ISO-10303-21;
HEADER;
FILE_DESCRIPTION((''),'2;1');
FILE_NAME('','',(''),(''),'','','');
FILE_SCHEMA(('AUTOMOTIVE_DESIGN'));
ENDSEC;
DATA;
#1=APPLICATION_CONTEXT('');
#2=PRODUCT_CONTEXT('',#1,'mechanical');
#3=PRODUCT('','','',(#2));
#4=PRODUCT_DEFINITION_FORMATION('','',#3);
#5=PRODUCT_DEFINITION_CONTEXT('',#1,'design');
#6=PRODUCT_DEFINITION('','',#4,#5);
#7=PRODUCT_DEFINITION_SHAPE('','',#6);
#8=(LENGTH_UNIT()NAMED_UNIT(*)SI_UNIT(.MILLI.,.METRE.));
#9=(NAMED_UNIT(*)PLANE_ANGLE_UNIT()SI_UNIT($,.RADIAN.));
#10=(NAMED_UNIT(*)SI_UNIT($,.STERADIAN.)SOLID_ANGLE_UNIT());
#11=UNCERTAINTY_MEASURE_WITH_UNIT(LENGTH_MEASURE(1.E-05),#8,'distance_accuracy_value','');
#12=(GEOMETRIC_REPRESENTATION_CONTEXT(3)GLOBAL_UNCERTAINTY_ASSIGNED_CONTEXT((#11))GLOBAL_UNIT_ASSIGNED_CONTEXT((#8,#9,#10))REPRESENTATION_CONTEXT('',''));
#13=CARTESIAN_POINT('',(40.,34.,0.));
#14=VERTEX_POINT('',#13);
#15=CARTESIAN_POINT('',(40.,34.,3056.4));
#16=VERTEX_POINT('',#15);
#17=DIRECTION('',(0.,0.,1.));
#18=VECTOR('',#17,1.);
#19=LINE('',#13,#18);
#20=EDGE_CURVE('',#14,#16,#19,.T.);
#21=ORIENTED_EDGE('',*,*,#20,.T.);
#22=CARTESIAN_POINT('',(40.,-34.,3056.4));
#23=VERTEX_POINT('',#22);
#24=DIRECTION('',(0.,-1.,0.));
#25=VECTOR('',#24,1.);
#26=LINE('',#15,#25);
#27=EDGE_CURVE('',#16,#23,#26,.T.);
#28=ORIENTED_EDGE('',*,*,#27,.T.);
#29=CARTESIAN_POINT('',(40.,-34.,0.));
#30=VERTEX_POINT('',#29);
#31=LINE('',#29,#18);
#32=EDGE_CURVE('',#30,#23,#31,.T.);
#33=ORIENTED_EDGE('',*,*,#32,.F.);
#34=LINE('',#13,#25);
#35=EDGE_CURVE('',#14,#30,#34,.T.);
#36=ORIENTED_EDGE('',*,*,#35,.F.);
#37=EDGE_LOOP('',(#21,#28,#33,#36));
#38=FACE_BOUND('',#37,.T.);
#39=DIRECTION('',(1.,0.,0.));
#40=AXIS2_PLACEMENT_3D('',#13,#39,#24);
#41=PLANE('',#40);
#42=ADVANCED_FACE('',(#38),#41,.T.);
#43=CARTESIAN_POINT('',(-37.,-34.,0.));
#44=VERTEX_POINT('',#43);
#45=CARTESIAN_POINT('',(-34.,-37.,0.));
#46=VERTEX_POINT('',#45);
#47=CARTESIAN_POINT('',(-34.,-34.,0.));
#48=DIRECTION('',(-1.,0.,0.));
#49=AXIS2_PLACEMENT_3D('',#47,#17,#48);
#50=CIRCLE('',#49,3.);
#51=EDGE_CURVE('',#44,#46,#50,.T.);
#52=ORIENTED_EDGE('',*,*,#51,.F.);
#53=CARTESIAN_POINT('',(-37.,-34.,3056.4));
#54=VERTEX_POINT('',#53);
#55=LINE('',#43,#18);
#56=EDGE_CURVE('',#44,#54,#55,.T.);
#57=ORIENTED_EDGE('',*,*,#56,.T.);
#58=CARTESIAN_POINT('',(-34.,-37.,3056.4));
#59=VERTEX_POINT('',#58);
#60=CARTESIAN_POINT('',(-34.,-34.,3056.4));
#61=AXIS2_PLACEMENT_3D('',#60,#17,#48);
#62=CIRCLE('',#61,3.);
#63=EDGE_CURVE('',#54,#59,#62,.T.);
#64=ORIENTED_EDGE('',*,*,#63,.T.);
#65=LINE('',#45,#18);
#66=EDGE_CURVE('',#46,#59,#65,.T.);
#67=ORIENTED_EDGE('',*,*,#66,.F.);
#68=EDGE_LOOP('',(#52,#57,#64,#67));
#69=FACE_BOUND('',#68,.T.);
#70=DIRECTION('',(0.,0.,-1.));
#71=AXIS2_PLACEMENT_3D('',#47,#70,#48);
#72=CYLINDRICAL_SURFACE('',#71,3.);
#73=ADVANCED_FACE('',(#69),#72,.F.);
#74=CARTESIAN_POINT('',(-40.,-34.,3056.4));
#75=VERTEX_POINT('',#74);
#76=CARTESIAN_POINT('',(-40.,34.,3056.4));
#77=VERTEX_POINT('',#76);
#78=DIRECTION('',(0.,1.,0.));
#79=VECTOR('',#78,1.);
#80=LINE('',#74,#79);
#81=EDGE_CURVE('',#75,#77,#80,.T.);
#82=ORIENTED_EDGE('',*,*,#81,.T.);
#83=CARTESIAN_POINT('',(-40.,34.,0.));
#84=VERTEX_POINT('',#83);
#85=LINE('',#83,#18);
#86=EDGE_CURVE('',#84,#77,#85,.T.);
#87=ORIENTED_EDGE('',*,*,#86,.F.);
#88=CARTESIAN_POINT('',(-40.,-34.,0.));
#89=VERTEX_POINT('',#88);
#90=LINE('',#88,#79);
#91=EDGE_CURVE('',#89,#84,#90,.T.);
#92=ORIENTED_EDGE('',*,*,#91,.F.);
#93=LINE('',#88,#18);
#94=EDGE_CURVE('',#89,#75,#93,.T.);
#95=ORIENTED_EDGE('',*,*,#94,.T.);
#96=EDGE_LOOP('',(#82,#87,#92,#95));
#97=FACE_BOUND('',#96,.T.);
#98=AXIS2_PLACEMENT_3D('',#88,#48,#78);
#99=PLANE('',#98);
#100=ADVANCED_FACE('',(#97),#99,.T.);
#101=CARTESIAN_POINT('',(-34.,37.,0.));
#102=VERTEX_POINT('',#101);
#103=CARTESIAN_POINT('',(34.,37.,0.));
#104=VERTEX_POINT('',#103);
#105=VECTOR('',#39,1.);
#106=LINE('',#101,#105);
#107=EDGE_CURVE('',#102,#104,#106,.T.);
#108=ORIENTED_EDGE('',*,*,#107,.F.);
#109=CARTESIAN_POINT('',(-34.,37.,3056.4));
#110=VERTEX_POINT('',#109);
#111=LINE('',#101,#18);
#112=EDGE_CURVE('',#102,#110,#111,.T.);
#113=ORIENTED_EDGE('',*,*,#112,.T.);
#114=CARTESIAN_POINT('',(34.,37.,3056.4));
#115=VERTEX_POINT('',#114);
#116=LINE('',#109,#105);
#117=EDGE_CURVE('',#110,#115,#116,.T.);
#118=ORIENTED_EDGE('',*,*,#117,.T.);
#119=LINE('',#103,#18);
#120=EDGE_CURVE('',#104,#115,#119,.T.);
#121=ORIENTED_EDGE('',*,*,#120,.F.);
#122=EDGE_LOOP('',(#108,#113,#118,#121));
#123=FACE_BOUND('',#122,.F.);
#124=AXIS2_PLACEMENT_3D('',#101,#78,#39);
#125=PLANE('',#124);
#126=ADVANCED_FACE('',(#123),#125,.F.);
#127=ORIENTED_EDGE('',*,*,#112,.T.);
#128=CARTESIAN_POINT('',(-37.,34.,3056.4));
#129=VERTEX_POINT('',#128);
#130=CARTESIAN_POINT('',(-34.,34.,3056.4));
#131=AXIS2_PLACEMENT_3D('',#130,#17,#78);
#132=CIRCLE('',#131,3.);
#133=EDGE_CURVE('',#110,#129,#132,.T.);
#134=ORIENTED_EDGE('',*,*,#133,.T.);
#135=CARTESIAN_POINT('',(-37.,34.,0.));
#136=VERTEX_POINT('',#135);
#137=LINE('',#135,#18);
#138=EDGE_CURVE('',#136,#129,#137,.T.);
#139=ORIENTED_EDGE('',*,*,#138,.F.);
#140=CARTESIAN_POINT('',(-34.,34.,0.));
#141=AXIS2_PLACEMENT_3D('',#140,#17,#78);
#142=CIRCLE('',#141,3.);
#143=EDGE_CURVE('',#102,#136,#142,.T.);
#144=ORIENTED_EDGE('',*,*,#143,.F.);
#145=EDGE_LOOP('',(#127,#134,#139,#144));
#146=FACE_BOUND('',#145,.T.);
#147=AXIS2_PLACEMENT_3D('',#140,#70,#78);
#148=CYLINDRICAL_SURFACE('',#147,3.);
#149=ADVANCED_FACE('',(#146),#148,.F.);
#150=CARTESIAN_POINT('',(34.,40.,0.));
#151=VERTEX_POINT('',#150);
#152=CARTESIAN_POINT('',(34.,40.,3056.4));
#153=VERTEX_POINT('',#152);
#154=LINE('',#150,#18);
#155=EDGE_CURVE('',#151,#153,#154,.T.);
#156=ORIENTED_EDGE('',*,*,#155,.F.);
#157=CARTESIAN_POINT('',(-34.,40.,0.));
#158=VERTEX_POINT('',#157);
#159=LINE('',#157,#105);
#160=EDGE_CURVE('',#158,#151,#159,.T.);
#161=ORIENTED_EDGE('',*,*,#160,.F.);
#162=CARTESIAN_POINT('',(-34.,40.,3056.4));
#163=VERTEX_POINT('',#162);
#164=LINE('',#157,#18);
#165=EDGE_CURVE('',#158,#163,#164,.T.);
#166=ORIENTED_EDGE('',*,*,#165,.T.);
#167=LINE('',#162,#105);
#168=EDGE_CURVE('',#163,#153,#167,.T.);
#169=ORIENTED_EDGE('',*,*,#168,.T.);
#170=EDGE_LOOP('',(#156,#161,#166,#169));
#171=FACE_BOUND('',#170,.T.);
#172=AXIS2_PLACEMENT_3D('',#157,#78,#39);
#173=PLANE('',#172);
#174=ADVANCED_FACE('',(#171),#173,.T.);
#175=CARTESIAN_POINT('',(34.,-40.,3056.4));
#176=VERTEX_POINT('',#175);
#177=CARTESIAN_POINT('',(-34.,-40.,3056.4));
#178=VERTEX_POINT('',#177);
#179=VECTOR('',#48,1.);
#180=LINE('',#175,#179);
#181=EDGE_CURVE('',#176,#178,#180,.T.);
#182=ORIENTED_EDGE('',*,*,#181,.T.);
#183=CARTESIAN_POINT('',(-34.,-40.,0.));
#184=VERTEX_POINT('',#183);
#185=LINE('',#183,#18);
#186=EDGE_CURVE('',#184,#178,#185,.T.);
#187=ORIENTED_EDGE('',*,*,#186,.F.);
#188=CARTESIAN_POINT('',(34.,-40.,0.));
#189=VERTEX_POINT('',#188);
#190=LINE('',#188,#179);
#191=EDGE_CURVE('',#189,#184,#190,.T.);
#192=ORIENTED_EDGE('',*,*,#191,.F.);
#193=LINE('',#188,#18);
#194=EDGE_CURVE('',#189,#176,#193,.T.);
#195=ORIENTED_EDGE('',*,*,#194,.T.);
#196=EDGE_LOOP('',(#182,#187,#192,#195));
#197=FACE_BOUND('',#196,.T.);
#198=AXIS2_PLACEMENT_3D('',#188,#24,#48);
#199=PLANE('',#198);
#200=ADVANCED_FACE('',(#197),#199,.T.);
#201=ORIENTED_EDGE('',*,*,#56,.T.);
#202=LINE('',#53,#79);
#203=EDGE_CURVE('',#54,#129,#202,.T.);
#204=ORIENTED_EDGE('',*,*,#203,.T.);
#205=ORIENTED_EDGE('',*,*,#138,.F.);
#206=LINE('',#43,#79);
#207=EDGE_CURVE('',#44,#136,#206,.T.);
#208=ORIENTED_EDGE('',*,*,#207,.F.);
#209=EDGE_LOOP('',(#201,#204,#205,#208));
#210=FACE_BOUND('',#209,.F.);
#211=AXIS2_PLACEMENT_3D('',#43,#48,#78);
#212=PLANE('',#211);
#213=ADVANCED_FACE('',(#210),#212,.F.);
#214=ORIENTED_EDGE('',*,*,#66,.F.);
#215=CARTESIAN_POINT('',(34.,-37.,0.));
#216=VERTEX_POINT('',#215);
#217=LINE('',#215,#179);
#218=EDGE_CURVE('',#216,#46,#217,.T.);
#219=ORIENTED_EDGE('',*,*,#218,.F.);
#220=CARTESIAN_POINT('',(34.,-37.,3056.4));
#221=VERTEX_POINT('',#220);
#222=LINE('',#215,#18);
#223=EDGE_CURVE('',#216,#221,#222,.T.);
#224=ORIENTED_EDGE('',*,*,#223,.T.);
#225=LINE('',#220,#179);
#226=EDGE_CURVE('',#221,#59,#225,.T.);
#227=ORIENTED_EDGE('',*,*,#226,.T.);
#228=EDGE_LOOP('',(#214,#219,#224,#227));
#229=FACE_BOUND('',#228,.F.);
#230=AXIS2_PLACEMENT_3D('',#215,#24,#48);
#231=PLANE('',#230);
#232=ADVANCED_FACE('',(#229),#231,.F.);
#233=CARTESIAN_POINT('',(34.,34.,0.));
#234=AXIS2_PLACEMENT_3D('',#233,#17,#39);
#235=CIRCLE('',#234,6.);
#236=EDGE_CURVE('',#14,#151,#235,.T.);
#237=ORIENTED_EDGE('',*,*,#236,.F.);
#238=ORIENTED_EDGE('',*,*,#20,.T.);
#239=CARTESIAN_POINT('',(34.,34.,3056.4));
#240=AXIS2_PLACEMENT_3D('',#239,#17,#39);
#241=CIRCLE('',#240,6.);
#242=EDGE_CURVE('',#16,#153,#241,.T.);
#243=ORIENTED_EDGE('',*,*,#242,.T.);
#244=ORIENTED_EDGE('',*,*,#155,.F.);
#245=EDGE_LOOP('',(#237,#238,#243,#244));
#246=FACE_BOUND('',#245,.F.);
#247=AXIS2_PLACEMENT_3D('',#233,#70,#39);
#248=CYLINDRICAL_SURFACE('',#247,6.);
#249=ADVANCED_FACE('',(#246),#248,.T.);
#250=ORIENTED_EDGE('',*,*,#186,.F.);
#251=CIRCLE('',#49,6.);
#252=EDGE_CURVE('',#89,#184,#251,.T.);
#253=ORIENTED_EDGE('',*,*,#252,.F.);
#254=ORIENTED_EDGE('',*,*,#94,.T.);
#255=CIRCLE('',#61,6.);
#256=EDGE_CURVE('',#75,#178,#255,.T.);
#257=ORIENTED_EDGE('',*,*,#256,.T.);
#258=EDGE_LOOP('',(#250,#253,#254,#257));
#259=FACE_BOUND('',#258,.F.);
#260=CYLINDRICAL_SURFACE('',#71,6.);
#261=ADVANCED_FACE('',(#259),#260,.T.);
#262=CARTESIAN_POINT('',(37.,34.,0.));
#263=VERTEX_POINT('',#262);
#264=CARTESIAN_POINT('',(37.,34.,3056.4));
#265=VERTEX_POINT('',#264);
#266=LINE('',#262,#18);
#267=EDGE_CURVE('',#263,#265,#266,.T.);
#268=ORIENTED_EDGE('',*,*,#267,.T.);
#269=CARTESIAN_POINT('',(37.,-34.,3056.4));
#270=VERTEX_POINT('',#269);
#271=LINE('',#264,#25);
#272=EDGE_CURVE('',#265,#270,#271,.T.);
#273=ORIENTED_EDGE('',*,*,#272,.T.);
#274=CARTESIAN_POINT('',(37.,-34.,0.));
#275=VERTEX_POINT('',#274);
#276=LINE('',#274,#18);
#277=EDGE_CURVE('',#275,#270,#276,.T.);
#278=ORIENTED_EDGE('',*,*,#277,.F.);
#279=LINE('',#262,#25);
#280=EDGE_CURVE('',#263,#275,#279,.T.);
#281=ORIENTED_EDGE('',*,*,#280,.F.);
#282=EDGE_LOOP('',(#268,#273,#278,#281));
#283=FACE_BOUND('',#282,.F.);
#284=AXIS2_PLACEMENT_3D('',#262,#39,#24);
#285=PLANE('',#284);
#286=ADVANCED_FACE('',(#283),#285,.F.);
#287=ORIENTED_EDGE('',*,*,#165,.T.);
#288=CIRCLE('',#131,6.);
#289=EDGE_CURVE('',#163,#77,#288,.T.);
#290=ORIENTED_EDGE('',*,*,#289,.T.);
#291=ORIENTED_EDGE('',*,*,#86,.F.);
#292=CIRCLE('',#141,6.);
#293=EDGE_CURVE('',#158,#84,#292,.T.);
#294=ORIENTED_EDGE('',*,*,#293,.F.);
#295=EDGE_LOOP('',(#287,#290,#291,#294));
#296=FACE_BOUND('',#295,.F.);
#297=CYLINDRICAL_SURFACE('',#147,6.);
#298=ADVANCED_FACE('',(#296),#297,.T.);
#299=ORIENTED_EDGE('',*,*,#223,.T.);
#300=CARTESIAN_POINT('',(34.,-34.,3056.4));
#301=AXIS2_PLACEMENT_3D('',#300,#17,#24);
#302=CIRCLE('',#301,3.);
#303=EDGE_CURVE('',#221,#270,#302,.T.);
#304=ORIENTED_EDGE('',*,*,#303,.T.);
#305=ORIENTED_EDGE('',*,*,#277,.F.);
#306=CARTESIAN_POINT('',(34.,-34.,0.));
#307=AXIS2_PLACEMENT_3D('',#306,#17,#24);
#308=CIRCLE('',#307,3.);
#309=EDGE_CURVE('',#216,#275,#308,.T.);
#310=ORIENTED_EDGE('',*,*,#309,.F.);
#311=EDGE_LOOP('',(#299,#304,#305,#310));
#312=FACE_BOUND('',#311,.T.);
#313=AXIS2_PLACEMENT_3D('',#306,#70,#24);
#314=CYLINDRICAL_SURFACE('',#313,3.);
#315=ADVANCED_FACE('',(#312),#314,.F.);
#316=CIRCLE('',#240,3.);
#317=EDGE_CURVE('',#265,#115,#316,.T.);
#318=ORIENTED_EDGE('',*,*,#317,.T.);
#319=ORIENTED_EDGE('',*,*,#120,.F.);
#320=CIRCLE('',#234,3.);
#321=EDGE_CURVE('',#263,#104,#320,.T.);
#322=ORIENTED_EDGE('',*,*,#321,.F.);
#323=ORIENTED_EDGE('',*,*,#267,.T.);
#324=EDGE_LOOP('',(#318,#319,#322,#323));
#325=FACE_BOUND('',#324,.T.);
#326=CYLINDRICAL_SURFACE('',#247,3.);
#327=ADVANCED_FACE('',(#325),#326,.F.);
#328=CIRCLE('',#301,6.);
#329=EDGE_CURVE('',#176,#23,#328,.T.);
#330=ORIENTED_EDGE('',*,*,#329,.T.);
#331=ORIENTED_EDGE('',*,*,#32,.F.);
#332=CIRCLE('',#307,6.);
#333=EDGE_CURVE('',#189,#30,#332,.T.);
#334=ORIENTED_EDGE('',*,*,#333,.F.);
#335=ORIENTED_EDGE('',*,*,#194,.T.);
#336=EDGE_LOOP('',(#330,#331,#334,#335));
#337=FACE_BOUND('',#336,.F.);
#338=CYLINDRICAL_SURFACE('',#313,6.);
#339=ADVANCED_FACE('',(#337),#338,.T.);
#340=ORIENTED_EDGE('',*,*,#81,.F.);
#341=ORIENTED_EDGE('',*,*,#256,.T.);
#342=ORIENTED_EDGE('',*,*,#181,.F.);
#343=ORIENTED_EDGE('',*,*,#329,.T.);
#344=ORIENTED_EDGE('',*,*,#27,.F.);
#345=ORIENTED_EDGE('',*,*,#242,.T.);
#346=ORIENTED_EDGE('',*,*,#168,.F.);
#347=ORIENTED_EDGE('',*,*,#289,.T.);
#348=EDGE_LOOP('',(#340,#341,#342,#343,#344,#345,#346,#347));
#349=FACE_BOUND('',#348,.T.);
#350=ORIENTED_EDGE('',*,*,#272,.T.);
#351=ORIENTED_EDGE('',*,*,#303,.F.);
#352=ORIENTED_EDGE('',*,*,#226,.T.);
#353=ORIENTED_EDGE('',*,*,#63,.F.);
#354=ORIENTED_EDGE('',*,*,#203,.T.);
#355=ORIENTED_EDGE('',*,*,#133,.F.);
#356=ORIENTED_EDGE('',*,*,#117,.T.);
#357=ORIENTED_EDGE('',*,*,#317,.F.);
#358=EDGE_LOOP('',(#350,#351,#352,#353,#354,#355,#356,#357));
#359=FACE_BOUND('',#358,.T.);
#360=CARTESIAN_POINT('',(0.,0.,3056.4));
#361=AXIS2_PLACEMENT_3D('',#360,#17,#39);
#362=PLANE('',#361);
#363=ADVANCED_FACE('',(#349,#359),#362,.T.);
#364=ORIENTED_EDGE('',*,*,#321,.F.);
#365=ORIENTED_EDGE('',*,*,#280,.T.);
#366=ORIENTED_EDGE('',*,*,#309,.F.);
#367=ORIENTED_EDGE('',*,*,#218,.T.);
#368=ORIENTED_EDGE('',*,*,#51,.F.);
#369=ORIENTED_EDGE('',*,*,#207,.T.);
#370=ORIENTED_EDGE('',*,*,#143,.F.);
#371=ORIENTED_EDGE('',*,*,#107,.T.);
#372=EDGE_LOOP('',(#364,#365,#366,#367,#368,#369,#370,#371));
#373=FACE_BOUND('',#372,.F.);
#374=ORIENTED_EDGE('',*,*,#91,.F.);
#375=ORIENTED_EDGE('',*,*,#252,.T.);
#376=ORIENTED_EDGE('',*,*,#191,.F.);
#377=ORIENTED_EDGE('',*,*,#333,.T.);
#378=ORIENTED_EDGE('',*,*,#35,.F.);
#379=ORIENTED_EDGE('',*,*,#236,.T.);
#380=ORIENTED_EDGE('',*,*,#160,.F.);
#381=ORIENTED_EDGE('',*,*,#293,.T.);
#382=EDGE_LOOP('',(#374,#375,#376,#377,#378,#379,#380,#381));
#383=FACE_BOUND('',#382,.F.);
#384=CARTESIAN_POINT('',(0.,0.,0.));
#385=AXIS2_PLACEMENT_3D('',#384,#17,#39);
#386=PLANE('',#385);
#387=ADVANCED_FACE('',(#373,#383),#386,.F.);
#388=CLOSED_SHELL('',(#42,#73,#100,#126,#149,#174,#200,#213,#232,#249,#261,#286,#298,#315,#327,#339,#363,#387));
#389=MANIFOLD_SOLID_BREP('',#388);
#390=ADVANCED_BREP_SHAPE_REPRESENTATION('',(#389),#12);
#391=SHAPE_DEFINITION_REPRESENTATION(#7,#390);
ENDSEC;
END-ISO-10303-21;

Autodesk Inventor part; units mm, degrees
ref_plane "YZ Plane" through (0, 0, 0) normal (1, 0, 0) x (0, 1, 0)
ref_plane "Start Plane" through (0, 0, 0) normal (0, 0, 1) x (1, 0, 0)
ref_plane "End Plane" through (0, 0, 3056.4) normal (0, 0, 1) x (1, 0, 0)
sketch "Sketch" plane through (0, 0, 0) normal (0, 0, 1) x (1, 0, 0)
  line L0 (-40, -34) -> (-40, 34)
  line L1 (-34, 40) -> (34, 40)
  line L2 (40, 34) -> (40, -34)
  line L3 (34, -40) -> (-34, -40)
  arc A0 (-40, -34) -> (-34, -40) centre (-34, -34) ccw
  arc A1 (40, 34) -> (34, 40) centre (34, 34) ccw
  arc A2 (-34, 40) -> (-40, 34) centre (-34, 34) ccw
  arc A3 (34, -40) -> (40, -34) centre (34, -34) ccw
  arc A4 (-34, 37) -> (-37, 34) centre (-34, 34) ccw
  line L4 (-34, 37) -> (34, 37)
  arc A5 (37, 34) -> (34, 37) centre (34, 34) ccw
  line L5 (37, 34) -> (37, -34)
  arc A6 (34, -37) -> (37, -34) centre (34, -34) ccw
  line L6 (34, -37) -> (-34, -37)
  arc A7 (-37, -34) -> (-34, -37) centre (-34, -34) ccw
  line L7 (-37, -34) -> (-37, 34)
  line L8 (0, 57.7397) -> (0, -57.7397) construction
  line L9 (-57.7397, 0) -> (57.7397, 0) construction
  dimension "d7" = 6
  dimension "d9" = 80
  dimension "d11" = 80
  dimension "d12" = 3
  dimension "d15" = 40
  dimension "d16" = 40
extrude "Body" add sketch "Sketch" along normal up to surface (3056.4 mm away) from surface at 0
sketch "Sketch3" plane through (0, 0, 0) normal (0, 0, 1) x (1, 0, 0)
  line L0 (0, 0) -> (10, 0)
ref_plane "Work Plane3" through (0, 0, 0) normal (0, -1, 0) x (1, 0, 0)
sketch "Sketch4" plane through (0, 0, 0) normal (0, -1, 0) x (1, 0, 0)
  line L0 (-2, 0) -> (12, 0) projected
  line L1 (-2, 3056.4) -> (12, 3056.4) projected
  dimension "d18" = 3056.4
equation "\"d7\" = G_IR"
equation "\"d9\" = G_W"
equation "\"d11\" = G_H"
equation "\"d12\" = G_T"
equation "\"d15\" = 0.5 * d9"
equation "\"d16\" = 0.5 * d11"
equation "\"d3\" = G_L"
equation "\"G_W\" = 80"
equation "\"G_H\" = 80"
equation "\"G_T\" = 3"
equation "\"G_IR\" = 6"
equation "\"G_L\" = d18"
equation "\"G_OFFSET_START\" = 0"
equation "\"G_OFFSET_END\" = 0"
equation "\"d14\" = G_OFFSET_END + B_L"
equation "\"B_L\" = 3056.4"
properties part number "ISO 10799-2 - 80x80x3 - 3056,4" material "Steel, Mild"
